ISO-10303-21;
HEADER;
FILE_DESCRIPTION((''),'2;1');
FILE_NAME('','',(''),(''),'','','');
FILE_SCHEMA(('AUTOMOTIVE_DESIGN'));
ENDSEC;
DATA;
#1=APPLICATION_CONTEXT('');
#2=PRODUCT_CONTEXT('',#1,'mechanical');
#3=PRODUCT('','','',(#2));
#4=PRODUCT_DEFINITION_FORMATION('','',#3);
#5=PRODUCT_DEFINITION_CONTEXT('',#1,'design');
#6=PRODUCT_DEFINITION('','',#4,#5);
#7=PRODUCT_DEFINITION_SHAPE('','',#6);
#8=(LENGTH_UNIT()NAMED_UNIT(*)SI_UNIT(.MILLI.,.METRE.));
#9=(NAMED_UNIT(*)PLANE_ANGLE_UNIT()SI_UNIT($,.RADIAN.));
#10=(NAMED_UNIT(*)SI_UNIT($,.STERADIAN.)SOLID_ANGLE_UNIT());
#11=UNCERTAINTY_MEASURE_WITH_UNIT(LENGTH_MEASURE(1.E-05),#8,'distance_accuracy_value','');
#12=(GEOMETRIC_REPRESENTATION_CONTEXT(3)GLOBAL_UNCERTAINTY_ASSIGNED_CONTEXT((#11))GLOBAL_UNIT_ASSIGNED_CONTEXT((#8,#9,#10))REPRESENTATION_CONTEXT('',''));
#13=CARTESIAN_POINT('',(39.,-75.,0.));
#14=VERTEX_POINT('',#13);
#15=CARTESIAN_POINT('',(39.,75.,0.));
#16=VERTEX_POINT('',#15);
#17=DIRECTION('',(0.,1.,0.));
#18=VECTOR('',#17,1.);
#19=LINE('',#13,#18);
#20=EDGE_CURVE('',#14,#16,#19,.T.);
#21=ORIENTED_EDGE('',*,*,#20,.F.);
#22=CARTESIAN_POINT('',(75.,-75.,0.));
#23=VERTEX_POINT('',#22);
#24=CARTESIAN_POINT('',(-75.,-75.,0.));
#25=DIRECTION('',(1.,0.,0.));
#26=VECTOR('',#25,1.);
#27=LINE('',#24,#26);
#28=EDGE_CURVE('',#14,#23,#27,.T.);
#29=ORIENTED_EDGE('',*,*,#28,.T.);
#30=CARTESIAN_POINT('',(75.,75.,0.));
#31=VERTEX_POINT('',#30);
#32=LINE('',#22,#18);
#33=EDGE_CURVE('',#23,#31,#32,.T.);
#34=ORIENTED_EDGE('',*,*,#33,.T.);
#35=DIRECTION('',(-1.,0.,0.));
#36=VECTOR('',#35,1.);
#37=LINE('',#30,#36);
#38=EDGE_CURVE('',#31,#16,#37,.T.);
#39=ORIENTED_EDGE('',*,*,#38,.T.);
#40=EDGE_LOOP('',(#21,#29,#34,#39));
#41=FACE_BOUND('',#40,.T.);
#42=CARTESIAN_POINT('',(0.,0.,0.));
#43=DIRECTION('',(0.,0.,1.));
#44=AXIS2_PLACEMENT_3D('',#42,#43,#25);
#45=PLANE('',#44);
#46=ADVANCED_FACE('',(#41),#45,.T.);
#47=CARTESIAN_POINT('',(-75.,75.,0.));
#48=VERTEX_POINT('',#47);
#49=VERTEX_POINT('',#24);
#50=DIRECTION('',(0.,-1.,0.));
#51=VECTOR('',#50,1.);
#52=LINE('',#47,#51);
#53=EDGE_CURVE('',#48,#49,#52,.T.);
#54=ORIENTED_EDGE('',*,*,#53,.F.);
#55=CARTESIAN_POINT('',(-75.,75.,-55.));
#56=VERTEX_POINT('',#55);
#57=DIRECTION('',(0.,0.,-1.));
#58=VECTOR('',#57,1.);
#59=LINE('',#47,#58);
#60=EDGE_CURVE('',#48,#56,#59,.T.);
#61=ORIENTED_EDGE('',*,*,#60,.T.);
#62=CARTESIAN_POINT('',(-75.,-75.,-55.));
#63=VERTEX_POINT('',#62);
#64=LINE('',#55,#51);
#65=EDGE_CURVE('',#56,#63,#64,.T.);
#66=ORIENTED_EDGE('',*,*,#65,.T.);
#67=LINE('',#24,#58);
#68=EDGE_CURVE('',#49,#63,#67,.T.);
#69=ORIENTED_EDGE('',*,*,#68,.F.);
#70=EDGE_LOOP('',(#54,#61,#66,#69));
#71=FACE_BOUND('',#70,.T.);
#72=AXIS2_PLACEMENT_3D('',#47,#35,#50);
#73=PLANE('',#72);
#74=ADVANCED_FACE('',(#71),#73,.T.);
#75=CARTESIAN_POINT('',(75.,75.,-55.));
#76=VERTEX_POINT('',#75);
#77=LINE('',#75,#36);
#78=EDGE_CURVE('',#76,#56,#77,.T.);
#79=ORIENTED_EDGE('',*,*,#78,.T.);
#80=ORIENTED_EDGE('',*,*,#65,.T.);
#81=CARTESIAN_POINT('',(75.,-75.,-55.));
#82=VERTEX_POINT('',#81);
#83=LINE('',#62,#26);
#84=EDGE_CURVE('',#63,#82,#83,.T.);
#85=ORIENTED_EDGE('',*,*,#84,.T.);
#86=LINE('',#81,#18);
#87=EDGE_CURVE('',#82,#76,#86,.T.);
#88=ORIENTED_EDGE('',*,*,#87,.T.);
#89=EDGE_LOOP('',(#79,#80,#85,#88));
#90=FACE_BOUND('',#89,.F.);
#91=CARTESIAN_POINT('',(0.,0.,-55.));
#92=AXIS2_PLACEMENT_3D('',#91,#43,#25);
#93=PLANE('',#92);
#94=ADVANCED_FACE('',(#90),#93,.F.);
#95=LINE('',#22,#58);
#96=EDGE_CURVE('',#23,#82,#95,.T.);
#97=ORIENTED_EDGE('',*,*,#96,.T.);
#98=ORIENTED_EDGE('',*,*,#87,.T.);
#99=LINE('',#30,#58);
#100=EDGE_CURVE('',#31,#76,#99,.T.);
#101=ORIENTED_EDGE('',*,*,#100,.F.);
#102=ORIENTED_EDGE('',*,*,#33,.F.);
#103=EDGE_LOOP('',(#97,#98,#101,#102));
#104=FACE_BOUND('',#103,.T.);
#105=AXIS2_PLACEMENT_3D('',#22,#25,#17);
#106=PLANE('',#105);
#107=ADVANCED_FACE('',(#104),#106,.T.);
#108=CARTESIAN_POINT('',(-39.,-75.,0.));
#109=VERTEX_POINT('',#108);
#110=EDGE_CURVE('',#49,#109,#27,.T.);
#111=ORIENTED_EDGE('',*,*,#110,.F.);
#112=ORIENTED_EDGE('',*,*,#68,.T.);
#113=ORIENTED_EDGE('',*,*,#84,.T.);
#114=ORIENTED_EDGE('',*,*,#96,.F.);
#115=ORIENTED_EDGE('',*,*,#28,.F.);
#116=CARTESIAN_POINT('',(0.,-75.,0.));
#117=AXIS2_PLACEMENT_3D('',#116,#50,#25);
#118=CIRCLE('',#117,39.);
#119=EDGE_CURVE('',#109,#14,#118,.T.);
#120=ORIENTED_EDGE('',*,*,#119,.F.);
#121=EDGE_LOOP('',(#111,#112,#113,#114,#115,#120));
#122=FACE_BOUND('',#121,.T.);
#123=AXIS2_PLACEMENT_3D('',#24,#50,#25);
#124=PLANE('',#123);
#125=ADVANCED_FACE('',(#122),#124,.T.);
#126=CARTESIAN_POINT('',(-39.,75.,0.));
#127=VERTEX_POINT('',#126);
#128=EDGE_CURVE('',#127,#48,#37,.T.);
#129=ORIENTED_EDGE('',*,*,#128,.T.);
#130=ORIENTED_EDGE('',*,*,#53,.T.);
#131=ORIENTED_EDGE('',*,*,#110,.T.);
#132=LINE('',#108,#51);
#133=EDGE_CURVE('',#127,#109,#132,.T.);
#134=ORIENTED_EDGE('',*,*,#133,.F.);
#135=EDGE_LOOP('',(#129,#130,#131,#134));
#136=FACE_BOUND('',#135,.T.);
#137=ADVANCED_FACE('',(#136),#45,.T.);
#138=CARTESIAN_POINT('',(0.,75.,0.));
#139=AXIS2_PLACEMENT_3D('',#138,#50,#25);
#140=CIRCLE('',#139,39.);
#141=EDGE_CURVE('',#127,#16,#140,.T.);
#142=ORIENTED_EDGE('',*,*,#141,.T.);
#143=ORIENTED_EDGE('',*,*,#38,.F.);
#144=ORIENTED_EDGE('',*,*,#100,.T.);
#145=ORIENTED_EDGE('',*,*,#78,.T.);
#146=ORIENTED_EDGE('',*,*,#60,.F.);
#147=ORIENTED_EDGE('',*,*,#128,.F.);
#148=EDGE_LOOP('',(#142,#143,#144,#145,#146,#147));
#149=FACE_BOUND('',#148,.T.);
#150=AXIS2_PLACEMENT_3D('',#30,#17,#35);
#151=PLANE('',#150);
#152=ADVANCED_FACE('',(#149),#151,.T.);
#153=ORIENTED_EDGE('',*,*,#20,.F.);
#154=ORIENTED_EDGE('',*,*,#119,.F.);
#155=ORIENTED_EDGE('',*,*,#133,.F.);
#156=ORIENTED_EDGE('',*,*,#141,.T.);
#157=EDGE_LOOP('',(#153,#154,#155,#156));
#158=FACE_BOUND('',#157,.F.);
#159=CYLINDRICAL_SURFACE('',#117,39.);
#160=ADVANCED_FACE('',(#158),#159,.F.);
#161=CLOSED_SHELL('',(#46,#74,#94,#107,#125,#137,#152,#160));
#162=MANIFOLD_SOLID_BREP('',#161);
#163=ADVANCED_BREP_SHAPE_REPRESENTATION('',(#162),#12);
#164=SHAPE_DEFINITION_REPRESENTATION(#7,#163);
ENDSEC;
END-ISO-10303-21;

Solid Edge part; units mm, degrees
sketch "Sketch1" plane through (0, 0, 0) normal (0, 0, 1) x (1, 0, 0)
  line L0 (-75, -75) -> (75, -75)
  line L1 (75, -75) -> (75, 75)
  line L2 (75, 75) -> (-75, 75)
  line L3 (-75, 75) -> (-75, -75)
extrude "Protrusion1" add sketch "Sketch1" against normal blind 55
sketch "Sketch2" plane through (0, -75, -27.5) normal (0, -1, 0) x (1, 0, 0)
  circle A0 centre (0, 27.5) radius 39
extrude "Recorte_Extrudado_1" cut sketch "Sketch2" against normal blind 150
